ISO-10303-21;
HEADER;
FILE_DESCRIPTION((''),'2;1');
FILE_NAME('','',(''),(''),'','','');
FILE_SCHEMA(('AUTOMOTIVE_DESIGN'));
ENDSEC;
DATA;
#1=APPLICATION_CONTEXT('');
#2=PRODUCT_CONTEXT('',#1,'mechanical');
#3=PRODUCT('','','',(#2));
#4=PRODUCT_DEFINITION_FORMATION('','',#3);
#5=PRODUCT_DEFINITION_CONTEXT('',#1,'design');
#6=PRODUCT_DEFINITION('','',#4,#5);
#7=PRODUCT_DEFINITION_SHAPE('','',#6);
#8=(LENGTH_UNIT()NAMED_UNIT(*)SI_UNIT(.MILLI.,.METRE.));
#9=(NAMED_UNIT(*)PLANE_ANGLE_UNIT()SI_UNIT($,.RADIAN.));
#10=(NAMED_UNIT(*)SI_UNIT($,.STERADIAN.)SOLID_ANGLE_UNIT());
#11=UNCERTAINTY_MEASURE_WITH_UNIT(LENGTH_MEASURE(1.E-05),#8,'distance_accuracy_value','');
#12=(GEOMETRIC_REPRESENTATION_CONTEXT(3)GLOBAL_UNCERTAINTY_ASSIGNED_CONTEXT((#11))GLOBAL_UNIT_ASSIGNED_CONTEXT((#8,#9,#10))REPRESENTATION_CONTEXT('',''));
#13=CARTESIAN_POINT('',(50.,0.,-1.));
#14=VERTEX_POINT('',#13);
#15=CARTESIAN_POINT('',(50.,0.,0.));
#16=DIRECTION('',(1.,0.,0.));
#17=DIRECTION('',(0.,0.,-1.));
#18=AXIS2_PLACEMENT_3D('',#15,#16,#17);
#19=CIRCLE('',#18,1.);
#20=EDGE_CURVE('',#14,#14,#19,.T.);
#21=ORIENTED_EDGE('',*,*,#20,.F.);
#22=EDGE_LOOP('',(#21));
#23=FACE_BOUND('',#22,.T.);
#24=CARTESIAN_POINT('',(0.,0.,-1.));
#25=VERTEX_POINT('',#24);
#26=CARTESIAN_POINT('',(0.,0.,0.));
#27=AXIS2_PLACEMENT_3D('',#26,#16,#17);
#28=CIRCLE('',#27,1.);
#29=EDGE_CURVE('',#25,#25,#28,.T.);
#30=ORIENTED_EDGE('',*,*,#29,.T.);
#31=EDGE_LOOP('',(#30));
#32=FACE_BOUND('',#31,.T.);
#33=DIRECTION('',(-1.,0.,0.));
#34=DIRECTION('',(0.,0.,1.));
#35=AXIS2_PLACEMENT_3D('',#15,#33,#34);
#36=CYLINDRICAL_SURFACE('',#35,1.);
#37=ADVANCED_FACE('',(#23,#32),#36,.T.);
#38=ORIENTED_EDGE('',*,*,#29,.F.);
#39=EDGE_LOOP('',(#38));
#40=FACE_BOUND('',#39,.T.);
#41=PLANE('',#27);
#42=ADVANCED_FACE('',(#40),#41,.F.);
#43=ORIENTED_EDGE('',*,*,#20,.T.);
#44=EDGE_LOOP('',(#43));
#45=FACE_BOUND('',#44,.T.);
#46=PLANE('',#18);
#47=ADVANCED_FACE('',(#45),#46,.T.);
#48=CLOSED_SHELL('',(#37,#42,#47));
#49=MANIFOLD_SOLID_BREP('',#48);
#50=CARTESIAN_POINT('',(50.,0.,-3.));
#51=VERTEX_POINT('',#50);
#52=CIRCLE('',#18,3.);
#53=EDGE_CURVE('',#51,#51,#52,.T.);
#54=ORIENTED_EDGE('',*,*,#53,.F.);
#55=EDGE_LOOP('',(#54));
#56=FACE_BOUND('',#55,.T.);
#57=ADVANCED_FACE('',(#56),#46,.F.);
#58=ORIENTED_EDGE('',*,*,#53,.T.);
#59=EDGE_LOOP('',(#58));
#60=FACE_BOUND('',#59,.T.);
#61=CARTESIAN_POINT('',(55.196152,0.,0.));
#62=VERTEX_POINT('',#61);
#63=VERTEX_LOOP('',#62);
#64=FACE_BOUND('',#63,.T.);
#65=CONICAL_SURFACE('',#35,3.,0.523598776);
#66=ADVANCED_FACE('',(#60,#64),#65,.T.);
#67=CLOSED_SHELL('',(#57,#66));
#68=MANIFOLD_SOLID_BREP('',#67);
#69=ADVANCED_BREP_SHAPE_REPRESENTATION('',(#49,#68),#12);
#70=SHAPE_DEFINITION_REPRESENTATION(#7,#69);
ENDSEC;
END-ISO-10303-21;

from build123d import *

# Parameters (mm, degrees)
SKETCH1_R           = 1
BOSS_EXTRUDE1_DEPTH = 50


with BuildPart() as part:
    # Sketch1 → Boss-Extrude1 (new body)
    with BuildSketch(Plane(origin=(0, 0, 0), x_dir=(0, 0, -1), z_dir=(1, 0, 0))):
        Circle(SKETCH1_R)
    extrude(amount=BOSS_EXTRUDE1_DEPTH)


with BuildPart() as body_2:
    # Sketch4 → Revolve1 (revolve)
    with BuildSketch(Plane(origin=(0, 0, 0), x_dir=(1, 0, 0), z_dir=(0, 1, 0)), mode=Mode.PRIVATE) as revolve1_sk:
        Polygon((50, 0), (50, 3), (55.196152423, 0), align=None)
    revolve(revolve1_sk.sketch.rotate(Axis((50, 0, 0), (1, 0, 0)), 180), axis=Axis((50, 0, 0), (1, 0, 0)))


solid = Compound([part.part, body_2.part])
